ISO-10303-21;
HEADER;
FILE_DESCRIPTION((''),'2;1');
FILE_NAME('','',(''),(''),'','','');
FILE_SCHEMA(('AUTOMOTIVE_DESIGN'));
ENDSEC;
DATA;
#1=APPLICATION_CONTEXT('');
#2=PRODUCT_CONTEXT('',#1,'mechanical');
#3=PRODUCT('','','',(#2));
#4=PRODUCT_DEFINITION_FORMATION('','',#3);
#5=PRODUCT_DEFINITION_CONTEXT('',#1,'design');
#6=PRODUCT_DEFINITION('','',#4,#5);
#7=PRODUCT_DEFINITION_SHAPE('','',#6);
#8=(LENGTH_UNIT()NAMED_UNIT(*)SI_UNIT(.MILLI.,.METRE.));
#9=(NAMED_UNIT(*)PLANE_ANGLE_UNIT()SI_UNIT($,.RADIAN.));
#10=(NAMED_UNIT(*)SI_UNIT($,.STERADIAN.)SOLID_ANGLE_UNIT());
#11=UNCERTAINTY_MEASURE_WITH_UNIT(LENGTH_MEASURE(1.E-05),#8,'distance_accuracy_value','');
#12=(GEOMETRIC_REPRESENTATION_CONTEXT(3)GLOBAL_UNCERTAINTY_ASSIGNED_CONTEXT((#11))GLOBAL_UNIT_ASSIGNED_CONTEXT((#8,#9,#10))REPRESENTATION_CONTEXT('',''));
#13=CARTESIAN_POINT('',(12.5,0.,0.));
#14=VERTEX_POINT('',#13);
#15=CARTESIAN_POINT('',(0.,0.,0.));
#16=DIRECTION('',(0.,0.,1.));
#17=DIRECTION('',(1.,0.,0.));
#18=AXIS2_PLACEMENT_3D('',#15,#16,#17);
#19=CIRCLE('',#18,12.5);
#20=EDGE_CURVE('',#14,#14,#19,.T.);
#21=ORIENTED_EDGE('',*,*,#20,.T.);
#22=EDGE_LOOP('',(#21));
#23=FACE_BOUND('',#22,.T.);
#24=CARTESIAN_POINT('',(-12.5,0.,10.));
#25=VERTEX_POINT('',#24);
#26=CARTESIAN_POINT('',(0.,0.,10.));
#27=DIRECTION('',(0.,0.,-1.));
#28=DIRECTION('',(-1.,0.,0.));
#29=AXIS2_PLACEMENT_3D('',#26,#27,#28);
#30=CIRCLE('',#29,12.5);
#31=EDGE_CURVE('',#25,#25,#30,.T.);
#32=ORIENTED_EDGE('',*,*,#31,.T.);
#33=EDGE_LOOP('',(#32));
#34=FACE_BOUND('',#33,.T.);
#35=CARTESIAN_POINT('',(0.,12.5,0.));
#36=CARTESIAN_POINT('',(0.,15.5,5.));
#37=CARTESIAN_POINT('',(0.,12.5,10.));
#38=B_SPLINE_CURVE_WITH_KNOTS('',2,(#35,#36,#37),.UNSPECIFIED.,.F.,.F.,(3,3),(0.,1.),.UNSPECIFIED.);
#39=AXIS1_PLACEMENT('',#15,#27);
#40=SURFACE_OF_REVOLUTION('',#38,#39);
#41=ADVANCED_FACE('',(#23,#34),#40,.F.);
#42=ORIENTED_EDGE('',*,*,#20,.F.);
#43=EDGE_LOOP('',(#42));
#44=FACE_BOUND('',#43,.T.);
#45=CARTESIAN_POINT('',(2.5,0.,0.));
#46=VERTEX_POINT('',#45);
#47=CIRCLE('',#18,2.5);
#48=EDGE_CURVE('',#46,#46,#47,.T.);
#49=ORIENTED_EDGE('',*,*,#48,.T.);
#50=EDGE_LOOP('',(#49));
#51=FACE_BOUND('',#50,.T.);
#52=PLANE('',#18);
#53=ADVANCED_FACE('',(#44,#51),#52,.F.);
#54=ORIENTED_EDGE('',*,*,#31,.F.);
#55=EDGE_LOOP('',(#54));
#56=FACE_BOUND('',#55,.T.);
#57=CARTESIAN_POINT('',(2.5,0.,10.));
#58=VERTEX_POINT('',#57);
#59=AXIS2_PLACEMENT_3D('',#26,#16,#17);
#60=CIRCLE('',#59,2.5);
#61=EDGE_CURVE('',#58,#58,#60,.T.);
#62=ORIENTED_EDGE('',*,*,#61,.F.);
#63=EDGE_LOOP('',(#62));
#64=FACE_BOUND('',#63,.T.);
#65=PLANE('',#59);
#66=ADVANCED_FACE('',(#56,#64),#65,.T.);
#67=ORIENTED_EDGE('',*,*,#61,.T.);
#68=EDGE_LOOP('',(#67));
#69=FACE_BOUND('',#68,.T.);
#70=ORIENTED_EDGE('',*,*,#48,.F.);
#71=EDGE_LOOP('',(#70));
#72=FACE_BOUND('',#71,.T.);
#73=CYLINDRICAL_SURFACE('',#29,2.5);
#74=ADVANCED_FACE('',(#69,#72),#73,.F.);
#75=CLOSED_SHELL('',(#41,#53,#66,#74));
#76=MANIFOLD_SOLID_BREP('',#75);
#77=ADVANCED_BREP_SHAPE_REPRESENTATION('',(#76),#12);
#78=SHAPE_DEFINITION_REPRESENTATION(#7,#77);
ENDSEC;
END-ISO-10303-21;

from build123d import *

# Parameters (mm, degrees)
SKETCH1_R           = 12.5
SKETCH1_R_2         = 2.5
BOSS_EXTRUDE1_DEPTH = 10


with BuildPart() as part:
    # Sketch1 → Boss-Extrude1 (new body)
    with BuildSketch(Plane.XY):
        Circle(SKETCH1_R)
        Circle(SKETCH1_R_2, mode=Mode.SUBTRACT)
    extrude(amount=BOSS_EXTRUDE1_DEPTH)

    # Sketch2 → Revolve1 (revolve)
    with BuildSketch(Plane(origin=(0, 0, 0), x_dir=(0, 0, -1), z_dir=(1, 0, 0))):
        with BuildLine():
            Line((-10, 12.5), (0, 12.5))
            add(Edge.make_bspline(
                [(-10, 12.5), (-5, 15.5), (0, 12.5)],
                knots=[0, 0, 0, 1, 1, 1], degree=2))
        make_face()
    revolve(axis=Axis((0, 0, 0), (0, 0, 1)))


solid = part.part
